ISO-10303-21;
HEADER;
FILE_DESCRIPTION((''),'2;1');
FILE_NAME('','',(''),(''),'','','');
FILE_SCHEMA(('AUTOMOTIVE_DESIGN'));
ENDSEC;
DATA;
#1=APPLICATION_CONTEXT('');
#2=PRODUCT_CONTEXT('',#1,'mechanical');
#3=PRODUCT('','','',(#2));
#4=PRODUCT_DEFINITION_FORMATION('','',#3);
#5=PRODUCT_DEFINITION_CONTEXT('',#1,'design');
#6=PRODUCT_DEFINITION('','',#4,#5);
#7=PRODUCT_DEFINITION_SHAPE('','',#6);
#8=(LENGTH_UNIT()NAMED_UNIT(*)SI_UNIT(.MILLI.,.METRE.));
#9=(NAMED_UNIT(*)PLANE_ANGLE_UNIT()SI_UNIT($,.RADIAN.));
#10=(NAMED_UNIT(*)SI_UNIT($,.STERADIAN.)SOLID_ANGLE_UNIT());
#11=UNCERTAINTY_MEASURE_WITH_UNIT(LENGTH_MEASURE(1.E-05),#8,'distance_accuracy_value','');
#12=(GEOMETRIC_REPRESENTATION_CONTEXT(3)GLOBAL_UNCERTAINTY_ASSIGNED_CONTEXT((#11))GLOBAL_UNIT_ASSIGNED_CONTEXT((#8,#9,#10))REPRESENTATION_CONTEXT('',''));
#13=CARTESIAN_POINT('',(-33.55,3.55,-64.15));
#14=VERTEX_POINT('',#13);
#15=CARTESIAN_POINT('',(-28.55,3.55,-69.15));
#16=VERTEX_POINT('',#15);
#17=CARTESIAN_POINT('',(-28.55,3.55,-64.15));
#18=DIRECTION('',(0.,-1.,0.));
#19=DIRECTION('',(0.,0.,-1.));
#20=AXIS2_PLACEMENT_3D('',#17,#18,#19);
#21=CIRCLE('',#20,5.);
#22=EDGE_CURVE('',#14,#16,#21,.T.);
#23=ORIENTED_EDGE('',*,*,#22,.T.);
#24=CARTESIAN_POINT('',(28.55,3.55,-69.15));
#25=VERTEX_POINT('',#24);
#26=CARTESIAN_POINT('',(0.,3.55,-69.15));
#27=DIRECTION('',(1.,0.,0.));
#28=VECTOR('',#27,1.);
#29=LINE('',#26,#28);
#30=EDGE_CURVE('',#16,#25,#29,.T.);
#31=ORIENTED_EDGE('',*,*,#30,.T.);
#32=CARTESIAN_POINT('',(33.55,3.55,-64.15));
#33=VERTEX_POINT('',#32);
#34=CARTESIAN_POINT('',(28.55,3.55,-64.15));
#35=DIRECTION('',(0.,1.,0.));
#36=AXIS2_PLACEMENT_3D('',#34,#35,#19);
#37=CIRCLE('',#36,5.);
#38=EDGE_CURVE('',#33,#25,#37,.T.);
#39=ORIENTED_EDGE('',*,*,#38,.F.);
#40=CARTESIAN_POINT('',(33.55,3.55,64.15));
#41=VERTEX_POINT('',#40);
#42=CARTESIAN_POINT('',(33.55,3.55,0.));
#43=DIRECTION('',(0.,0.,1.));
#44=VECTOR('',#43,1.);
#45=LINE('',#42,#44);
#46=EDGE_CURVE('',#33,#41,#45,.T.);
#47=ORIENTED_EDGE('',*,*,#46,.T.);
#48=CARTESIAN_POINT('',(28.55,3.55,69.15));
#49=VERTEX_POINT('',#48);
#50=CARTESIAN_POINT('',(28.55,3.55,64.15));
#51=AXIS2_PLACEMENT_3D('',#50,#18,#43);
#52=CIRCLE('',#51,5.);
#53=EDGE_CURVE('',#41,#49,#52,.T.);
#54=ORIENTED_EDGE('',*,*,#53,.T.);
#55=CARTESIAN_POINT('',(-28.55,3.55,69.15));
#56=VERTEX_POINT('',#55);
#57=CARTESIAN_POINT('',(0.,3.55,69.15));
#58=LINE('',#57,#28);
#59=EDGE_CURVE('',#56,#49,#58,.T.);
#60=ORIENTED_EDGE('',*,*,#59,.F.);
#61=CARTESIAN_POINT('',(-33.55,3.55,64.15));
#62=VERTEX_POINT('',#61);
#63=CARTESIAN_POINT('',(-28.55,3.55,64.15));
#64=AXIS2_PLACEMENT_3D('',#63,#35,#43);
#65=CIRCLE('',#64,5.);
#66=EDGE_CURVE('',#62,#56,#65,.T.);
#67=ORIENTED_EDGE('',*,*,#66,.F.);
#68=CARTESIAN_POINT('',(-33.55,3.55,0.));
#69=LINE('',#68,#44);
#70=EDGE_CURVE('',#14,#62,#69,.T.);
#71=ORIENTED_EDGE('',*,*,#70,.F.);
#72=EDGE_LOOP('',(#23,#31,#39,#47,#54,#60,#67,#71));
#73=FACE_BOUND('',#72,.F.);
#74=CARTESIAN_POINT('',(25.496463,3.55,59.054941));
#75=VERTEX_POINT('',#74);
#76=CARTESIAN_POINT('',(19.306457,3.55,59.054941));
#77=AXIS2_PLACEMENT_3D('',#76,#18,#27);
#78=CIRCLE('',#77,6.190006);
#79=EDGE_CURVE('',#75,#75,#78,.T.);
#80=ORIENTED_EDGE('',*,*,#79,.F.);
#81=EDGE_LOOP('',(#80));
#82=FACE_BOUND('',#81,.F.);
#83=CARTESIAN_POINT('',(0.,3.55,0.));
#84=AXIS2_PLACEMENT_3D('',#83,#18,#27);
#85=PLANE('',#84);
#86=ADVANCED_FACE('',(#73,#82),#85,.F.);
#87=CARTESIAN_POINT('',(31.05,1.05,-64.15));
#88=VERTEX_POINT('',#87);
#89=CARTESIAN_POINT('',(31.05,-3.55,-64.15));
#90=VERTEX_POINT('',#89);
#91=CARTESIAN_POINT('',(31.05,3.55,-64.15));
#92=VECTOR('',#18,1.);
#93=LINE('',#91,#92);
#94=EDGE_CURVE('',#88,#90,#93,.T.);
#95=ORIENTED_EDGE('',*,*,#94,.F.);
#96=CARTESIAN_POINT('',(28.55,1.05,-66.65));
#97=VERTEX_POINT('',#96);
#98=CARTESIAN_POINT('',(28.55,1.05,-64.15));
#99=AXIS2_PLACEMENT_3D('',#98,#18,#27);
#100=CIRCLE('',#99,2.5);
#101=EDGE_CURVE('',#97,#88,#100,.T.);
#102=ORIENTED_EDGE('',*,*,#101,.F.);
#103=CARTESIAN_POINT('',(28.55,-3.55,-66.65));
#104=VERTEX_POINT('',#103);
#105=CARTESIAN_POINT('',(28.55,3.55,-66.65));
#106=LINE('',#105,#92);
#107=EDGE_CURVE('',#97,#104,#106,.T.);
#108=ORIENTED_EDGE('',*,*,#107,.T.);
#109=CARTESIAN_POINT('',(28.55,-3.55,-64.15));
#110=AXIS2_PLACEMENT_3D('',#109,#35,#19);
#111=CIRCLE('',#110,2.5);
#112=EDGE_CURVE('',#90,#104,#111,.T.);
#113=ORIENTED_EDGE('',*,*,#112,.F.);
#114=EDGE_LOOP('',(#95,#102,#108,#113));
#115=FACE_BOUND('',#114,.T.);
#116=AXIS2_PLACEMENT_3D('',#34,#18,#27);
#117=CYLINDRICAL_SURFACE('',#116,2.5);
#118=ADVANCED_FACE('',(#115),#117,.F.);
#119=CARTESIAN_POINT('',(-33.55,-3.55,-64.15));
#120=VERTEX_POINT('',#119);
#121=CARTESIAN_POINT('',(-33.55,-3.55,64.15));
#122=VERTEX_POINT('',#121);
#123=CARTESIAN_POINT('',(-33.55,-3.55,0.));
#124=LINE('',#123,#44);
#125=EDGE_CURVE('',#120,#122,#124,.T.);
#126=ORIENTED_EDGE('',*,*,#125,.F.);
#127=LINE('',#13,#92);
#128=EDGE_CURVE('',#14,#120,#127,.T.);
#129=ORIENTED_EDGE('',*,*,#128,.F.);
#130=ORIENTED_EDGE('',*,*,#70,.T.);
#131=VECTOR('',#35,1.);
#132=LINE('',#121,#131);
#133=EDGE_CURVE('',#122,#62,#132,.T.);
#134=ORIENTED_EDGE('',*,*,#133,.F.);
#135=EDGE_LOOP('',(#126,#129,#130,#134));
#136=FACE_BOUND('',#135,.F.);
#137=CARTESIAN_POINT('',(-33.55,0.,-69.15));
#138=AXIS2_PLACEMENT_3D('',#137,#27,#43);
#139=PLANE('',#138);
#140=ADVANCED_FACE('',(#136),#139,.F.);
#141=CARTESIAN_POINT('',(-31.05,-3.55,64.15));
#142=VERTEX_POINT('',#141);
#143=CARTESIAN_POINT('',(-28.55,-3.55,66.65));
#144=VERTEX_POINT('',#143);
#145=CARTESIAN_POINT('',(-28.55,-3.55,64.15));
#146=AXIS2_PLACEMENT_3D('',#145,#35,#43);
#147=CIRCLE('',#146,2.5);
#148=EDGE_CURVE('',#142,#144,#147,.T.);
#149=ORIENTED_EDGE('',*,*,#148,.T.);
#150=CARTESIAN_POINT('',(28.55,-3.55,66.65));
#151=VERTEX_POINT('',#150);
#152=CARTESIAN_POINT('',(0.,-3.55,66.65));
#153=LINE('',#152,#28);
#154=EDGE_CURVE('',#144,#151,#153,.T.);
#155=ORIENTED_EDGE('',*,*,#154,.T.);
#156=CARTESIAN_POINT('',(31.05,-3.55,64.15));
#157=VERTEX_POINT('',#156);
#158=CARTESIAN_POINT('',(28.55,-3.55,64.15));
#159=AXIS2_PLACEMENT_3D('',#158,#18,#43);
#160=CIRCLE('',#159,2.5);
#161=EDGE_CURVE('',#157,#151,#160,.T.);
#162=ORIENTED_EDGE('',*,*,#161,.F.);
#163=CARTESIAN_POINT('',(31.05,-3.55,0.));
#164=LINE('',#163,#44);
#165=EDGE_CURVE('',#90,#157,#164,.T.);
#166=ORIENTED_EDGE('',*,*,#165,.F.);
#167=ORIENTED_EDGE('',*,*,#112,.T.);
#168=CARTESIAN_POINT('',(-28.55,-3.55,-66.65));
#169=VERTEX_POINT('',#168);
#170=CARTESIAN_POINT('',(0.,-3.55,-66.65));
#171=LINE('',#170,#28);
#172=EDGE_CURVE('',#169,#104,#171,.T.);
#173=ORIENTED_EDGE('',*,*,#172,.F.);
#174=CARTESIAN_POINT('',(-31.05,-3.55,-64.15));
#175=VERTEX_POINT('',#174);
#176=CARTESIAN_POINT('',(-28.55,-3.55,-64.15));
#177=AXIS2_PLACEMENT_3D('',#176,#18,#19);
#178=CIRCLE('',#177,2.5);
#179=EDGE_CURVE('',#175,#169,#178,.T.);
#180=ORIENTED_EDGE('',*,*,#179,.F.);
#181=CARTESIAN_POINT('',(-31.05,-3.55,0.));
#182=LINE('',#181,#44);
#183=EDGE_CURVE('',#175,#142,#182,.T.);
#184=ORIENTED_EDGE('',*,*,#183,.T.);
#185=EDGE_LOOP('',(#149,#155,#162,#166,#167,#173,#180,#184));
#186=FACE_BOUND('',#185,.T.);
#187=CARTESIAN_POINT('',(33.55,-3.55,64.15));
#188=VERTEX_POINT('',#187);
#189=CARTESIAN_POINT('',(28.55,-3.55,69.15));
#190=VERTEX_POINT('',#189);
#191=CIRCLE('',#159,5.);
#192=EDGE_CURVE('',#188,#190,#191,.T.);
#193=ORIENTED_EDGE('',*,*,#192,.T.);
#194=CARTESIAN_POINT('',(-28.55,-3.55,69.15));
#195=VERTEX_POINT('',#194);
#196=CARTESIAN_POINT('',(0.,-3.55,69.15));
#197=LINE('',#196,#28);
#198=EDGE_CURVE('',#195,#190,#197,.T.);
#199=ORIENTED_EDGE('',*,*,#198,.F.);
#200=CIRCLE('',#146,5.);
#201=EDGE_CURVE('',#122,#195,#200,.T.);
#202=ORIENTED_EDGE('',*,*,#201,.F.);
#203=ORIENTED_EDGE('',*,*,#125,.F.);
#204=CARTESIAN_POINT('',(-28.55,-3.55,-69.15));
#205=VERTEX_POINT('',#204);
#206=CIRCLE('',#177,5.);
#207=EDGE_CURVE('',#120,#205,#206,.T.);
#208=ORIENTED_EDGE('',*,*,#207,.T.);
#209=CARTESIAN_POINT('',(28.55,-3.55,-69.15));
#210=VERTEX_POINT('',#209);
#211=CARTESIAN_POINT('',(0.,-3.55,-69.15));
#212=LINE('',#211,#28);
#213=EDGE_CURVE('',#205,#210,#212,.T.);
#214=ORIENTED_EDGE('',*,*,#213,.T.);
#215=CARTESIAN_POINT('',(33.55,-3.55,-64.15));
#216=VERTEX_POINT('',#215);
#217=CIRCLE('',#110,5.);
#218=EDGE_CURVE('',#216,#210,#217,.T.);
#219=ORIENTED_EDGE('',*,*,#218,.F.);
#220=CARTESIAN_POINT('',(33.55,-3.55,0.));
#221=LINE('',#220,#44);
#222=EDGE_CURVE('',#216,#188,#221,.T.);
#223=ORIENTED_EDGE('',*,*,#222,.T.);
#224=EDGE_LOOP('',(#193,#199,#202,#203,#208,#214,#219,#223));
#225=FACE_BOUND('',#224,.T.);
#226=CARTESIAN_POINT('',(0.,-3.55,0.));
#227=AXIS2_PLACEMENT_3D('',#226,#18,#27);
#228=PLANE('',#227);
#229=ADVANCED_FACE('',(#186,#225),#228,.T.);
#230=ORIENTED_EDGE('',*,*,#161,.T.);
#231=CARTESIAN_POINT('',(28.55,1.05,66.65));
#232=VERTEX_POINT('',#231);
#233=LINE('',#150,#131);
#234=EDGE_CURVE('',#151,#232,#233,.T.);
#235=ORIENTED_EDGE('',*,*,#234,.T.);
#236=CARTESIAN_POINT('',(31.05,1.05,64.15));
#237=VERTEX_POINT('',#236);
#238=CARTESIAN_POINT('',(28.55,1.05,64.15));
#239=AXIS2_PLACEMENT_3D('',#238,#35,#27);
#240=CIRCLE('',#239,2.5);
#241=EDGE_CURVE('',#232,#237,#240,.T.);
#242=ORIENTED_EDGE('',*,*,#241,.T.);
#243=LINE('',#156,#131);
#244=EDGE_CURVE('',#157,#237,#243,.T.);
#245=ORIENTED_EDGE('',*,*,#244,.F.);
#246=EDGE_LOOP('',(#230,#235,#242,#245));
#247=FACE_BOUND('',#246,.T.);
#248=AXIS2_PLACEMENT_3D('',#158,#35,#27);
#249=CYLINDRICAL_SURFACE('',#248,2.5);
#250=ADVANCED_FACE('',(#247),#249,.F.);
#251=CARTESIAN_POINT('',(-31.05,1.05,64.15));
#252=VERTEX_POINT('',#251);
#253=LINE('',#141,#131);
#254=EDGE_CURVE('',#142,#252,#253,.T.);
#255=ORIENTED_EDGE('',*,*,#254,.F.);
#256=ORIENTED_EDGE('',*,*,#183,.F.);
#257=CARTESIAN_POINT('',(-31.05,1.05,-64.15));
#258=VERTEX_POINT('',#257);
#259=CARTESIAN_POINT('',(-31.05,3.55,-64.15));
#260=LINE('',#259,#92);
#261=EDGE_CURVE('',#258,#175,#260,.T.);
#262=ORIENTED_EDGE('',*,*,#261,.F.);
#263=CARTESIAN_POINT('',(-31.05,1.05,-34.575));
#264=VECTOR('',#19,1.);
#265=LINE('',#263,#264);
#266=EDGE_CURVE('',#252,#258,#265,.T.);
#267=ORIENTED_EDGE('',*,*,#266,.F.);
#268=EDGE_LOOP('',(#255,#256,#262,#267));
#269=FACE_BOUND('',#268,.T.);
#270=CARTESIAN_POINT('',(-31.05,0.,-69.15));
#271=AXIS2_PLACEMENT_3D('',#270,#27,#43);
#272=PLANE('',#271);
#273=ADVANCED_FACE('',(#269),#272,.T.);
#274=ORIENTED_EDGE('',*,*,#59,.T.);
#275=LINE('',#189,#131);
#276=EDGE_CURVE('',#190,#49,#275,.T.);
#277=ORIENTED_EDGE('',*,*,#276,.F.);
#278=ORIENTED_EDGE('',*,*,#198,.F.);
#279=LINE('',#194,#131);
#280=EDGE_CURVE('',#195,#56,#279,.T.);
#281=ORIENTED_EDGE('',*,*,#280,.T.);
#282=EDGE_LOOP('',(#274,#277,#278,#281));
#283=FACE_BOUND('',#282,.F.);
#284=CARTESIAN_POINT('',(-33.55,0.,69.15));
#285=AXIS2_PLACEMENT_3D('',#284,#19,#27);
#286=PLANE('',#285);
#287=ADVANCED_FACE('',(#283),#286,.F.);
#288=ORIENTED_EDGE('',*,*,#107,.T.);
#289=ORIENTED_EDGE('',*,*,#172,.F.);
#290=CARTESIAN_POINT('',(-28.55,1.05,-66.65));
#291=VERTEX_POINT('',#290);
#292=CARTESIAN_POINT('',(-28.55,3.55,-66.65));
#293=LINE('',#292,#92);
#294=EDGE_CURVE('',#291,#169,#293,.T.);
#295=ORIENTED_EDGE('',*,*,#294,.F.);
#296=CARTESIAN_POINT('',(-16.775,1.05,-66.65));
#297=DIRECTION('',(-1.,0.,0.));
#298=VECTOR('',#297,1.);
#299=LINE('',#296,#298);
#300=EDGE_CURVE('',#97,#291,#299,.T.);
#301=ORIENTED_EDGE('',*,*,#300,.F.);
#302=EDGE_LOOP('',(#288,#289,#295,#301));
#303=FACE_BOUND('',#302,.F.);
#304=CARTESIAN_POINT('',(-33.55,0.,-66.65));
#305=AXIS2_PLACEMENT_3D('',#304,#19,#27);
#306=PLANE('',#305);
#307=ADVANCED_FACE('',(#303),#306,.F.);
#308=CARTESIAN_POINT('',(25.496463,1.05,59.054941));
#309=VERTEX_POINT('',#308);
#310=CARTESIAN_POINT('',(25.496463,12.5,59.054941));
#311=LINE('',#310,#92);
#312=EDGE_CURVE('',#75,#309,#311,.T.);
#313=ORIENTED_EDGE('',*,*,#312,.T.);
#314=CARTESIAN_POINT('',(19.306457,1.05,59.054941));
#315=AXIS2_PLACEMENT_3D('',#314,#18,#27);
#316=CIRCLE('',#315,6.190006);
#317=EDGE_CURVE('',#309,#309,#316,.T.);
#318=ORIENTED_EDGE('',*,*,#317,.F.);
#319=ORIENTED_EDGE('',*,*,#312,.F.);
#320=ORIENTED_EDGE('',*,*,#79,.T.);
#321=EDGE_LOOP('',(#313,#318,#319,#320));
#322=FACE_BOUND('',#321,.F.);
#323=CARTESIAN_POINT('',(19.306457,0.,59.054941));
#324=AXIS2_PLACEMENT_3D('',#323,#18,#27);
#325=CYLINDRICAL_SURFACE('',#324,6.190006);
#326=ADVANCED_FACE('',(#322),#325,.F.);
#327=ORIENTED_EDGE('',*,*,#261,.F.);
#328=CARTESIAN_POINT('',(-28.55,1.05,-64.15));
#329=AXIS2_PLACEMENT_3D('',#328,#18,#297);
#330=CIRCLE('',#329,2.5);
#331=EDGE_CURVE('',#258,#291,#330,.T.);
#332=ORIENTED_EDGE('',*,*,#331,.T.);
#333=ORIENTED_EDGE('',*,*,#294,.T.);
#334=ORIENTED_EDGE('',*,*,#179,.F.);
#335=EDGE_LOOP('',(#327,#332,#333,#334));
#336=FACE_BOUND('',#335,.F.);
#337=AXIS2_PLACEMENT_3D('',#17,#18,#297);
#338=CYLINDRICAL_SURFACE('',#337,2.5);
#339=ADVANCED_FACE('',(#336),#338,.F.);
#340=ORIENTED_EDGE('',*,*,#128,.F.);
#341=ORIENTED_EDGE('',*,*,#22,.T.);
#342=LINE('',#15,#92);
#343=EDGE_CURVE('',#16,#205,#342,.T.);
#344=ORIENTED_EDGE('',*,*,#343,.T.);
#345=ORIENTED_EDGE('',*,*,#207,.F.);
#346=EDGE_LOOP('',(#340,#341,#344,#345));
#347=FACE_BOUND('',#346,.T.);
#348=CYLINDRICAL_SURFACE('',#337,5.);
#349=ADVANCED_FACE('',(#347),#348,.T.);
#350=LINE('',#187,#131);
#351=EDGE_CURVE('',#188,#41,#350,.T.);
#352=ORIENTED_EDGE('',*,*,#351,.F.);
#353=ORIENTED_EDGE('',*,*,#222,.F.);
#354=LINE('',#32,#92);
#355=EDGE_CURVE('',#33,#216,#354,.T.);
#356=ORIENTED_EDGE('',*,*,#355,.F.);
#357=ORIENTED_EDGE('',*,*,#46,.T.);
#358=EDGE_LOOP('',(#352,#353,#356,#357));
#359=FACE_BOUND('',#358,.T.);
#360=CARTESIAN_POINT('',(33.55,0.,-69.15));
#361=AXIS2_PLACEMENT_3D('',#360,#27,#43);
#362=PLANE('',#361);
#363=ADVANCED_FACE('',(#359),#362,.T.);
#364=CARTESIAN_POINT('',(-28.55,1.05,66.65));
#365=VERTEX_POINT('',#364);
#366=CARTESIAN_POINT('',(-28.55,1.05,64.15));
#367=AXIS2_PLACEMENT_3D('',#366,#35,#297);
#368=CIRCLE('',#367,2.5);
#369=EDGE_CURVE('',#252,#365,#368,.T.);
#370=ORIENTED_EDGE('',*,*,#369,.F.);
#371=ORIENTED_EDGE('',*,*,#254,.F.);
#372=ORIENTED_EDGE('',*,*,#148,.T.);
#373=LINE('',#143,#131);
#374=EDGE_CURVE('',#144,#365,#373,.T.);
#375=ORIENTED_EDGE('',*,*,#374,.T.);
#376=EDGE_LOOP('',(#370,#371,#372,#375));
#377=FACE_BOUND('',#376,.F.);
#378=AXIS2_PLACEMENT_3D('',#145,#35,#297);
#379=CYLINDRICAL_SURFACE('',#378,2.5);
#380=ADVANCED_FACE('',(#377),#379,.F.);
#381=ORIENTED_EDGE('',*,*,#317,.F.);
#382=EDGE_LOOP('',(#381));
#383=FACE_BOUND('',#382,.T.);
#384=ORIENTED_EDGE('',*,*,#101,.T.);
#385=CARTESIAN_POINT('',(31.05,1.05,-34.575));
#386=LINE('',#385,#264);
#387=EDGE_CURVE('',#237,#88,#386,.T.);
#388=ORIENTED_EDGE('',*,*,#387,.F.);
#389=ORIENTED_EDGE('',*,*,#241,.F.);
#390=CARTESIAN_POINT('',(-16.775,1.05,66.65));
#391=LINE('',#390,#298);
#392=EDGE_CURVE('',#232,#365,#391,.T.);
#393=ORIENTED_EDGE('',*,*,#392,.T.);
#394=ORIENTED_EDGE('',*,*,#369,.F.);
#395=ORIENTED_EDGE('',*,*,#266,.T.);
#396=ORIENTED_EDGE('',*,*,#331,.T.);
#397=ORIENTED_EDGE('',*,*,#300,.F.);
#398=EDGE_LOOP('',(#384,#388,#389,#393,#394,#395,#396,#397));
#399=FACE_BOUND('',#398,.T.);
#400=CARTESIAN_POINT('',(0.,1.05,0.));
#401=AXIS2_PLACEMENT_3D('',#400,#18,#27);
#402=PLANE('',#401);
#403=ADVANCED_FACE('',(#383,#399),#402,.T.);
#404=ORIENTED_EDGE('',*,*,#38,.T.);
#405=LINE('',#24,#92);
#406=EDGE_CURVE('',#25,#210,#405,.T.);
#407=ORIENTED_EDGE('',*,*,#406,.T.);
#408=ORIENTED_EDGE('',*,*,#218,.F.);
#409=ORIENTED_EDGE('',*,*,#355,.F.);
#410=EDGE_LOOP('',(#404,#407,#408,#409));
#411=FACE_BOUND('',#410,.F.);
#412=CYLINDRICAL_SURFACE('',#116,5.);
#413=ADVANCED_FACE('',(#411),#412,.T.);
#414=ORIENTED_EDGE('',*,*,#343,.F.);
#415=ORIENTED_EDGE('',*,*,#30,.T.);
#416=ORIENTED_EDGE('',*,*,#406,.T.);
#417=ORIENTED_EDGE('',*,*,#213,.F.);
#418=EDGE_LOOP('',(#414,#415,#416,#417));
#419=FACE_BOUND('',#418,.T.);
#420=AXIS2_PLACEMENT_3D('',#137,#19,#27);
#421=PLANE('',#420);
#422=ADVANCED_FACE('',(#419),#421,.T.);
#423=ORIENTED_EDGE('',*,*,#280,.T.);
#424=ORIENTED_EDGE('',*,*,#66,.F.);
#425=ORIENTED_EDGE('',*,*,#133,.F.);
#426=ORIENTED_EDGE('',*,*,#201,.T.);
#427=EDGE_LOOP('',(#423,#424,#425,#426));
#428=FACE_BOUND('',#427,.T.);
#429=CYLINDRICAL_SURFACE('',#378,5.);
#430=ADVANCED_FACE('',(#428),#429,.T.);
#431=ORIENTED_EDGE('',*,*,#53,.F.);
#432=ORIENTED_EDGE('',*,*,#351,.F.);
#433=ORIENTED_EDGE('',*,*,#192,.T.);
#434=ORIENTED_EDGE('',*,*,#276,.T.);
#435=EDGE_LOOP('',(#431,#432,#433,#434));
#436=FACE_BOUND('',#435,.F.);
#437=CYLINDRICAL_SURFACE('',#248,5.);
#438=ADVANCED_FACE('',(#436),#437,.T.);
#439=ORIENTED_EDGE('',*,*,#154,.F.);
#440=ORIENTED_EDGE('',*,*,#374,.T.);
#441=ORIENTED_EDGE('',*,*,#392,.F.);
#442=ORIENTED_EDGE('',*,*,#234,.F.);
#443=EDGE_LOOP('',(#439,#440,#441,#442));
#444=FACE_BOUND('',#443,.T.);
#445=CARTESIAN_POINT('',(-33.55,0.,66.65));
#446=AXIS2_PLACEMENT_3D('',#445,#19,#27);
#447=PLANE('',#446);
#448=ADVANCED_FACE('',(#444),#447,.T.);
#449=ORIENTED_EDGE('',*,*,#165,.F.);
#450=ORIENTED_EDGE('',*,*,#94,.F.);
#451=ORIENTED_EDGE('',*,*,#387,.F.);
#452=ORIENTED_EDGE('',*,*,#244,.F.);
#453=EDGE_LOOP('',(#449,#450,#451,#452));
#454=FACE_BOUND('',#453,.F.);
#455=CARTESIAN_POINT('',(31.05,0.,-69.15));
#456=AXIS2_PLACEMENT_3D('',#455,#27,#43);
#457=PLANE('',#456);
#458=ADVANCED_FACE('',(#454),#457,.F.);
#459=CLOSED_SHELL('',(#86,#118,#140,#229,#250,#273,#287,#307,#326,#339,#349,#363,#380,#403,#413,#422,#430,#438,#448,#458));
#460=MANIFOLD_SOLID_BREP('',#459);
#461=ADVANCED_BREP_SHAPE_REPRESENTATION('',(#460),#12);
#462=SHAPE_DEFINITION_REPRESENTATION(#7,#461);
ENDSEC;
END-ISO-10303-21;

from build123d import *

# Parameters (mm, degrees)
F0_W     = 67.1
F0_H     = 138.3
F1_DEPTH = 3.55
F2_R     = 5
F3_T     = -2.5
F4_R     = 6.1900061573
F5_DEPTH = 12.5


with BuildPart() as f1:
    # F0 (on Front) → F1 (new body, symmetric)
    with BuildSketch(Plane.XZ):
        Rectangle(F0_W, F0_H)
    extrude(amount=F1_DEPTH, both=True)

    # F2
    f2_edges = [f1.edges().sort_by_distance(p)[0] for p in [
        (-33.55, 0, 69.15),
        (33.55, 0, 69.15),
        (33.55, 0, -69.15),
        (-33.55, 0, -69.15),
    ]]
    fillet(f2_edges, radius=F2_R)

    # F3
    f3_openings = [f1.faces().sort_by_distance(p)[0] for p in [
        (0, -3.55, 0),
    ]]
    offset(amount=F3_T, openings=f3_openings)

    # F4 (on Front) → F5 (cut, symmetric)
    with BuildSketch(Plane.XZ):
        with Locations((19.3064566702, 59.0549409389)):
            Circle(F4_R)
    extrude(amount=F5_DEPTH, both=True, mode=Mode.SUBTRACT)


solid = f1.part
